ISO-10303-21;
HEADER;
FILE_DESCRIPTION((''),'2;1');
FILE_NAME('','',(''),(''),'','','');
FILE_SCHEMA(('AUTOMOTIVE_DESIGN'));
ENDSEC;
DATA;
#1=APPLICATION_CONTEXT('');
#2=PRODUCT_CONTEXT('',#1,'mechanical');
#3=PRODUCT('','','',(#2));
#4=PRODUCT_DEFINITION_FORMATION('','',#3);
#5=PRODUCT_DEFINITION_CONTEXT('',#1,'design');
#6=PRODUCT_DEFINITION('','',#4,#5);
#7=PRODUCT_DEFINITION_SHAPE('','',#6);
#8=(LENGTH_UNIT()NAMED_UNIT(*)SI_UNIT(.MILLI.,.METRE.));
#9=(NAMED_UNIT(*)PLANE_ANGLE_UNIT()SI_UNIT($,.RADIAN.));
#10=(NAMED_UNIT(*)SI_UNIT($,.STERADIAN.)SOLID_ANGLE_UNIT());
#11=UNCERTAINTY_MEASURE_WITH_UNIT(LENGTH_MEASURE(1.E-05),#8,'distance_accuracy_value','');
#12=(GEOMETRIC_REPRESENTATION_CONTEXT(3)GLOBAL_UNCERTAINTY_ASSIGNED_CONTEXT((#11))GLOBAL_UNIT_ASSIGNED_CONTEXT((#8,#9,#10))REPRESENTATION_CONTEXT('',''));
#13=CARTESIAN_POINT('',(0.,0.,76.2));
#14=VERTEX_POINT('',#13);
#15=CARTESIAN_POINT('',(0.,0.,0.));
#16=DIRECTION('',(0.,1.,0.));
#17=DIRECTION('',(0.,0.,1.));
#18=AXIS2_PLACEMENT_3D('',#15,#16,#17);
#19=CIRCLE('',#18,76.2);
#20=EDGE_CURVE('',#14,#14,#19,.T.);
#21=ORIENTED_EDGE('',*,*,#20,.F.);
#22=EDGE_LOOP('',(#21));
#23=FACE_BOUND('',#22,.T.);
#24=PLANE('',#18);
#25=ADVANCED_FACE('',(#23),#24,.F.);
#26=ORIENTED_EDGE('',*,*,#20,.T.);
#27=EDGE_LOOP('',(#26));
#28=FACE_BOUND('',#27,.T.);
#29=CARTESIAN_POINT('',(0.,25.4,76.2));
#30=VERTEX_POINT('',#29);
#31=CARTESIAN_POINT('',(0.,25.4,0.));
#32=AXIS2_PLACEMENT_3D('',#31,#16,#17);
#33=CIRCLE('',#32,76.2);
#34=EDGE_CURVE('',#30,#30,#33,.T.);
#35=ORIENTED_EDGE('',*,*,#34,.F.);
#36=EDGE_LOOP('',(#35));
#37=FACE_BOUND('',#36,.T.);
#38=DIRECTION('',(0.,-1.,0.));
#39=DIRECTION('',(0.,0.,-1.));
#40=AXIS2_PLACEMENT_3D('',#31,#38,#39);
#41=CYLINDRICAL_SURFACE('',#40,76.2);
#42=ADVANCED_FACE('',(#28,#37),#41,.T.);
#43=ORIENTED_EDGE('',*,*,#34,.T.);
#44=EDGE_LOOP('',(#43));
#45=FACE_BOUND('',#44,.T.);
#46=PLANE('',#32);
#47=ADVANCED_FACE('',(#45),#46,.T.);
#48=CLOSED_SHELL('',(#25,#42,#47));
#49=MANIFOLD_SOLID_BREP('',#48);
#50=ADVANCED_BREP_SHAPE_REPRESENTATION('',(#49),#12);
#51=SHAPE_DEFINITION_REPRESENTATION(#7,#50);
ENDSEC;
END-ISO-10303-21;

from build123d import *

# Parameters (mm, degrees)
SKETCH_1_R      = 76.2
EXTRUDE_1_DEPTH = 25.4


with BuildPart() as part:
    # 草图1 → 凸台-拉伸1 (new body)
    with BuildSketch(Plane(origin=(0, 0, 0), x_dir=(1, 0, 0), z_dir=(0, 1, 0))):
        with Locations(Location((0, 0, 0), (0, 0, 270))):  # turned: the seam where the file's is
            Circle(SKETCH_1_R)
    extrude(amount=EXTRUDE_1_DEPTH)


solid = part.part
